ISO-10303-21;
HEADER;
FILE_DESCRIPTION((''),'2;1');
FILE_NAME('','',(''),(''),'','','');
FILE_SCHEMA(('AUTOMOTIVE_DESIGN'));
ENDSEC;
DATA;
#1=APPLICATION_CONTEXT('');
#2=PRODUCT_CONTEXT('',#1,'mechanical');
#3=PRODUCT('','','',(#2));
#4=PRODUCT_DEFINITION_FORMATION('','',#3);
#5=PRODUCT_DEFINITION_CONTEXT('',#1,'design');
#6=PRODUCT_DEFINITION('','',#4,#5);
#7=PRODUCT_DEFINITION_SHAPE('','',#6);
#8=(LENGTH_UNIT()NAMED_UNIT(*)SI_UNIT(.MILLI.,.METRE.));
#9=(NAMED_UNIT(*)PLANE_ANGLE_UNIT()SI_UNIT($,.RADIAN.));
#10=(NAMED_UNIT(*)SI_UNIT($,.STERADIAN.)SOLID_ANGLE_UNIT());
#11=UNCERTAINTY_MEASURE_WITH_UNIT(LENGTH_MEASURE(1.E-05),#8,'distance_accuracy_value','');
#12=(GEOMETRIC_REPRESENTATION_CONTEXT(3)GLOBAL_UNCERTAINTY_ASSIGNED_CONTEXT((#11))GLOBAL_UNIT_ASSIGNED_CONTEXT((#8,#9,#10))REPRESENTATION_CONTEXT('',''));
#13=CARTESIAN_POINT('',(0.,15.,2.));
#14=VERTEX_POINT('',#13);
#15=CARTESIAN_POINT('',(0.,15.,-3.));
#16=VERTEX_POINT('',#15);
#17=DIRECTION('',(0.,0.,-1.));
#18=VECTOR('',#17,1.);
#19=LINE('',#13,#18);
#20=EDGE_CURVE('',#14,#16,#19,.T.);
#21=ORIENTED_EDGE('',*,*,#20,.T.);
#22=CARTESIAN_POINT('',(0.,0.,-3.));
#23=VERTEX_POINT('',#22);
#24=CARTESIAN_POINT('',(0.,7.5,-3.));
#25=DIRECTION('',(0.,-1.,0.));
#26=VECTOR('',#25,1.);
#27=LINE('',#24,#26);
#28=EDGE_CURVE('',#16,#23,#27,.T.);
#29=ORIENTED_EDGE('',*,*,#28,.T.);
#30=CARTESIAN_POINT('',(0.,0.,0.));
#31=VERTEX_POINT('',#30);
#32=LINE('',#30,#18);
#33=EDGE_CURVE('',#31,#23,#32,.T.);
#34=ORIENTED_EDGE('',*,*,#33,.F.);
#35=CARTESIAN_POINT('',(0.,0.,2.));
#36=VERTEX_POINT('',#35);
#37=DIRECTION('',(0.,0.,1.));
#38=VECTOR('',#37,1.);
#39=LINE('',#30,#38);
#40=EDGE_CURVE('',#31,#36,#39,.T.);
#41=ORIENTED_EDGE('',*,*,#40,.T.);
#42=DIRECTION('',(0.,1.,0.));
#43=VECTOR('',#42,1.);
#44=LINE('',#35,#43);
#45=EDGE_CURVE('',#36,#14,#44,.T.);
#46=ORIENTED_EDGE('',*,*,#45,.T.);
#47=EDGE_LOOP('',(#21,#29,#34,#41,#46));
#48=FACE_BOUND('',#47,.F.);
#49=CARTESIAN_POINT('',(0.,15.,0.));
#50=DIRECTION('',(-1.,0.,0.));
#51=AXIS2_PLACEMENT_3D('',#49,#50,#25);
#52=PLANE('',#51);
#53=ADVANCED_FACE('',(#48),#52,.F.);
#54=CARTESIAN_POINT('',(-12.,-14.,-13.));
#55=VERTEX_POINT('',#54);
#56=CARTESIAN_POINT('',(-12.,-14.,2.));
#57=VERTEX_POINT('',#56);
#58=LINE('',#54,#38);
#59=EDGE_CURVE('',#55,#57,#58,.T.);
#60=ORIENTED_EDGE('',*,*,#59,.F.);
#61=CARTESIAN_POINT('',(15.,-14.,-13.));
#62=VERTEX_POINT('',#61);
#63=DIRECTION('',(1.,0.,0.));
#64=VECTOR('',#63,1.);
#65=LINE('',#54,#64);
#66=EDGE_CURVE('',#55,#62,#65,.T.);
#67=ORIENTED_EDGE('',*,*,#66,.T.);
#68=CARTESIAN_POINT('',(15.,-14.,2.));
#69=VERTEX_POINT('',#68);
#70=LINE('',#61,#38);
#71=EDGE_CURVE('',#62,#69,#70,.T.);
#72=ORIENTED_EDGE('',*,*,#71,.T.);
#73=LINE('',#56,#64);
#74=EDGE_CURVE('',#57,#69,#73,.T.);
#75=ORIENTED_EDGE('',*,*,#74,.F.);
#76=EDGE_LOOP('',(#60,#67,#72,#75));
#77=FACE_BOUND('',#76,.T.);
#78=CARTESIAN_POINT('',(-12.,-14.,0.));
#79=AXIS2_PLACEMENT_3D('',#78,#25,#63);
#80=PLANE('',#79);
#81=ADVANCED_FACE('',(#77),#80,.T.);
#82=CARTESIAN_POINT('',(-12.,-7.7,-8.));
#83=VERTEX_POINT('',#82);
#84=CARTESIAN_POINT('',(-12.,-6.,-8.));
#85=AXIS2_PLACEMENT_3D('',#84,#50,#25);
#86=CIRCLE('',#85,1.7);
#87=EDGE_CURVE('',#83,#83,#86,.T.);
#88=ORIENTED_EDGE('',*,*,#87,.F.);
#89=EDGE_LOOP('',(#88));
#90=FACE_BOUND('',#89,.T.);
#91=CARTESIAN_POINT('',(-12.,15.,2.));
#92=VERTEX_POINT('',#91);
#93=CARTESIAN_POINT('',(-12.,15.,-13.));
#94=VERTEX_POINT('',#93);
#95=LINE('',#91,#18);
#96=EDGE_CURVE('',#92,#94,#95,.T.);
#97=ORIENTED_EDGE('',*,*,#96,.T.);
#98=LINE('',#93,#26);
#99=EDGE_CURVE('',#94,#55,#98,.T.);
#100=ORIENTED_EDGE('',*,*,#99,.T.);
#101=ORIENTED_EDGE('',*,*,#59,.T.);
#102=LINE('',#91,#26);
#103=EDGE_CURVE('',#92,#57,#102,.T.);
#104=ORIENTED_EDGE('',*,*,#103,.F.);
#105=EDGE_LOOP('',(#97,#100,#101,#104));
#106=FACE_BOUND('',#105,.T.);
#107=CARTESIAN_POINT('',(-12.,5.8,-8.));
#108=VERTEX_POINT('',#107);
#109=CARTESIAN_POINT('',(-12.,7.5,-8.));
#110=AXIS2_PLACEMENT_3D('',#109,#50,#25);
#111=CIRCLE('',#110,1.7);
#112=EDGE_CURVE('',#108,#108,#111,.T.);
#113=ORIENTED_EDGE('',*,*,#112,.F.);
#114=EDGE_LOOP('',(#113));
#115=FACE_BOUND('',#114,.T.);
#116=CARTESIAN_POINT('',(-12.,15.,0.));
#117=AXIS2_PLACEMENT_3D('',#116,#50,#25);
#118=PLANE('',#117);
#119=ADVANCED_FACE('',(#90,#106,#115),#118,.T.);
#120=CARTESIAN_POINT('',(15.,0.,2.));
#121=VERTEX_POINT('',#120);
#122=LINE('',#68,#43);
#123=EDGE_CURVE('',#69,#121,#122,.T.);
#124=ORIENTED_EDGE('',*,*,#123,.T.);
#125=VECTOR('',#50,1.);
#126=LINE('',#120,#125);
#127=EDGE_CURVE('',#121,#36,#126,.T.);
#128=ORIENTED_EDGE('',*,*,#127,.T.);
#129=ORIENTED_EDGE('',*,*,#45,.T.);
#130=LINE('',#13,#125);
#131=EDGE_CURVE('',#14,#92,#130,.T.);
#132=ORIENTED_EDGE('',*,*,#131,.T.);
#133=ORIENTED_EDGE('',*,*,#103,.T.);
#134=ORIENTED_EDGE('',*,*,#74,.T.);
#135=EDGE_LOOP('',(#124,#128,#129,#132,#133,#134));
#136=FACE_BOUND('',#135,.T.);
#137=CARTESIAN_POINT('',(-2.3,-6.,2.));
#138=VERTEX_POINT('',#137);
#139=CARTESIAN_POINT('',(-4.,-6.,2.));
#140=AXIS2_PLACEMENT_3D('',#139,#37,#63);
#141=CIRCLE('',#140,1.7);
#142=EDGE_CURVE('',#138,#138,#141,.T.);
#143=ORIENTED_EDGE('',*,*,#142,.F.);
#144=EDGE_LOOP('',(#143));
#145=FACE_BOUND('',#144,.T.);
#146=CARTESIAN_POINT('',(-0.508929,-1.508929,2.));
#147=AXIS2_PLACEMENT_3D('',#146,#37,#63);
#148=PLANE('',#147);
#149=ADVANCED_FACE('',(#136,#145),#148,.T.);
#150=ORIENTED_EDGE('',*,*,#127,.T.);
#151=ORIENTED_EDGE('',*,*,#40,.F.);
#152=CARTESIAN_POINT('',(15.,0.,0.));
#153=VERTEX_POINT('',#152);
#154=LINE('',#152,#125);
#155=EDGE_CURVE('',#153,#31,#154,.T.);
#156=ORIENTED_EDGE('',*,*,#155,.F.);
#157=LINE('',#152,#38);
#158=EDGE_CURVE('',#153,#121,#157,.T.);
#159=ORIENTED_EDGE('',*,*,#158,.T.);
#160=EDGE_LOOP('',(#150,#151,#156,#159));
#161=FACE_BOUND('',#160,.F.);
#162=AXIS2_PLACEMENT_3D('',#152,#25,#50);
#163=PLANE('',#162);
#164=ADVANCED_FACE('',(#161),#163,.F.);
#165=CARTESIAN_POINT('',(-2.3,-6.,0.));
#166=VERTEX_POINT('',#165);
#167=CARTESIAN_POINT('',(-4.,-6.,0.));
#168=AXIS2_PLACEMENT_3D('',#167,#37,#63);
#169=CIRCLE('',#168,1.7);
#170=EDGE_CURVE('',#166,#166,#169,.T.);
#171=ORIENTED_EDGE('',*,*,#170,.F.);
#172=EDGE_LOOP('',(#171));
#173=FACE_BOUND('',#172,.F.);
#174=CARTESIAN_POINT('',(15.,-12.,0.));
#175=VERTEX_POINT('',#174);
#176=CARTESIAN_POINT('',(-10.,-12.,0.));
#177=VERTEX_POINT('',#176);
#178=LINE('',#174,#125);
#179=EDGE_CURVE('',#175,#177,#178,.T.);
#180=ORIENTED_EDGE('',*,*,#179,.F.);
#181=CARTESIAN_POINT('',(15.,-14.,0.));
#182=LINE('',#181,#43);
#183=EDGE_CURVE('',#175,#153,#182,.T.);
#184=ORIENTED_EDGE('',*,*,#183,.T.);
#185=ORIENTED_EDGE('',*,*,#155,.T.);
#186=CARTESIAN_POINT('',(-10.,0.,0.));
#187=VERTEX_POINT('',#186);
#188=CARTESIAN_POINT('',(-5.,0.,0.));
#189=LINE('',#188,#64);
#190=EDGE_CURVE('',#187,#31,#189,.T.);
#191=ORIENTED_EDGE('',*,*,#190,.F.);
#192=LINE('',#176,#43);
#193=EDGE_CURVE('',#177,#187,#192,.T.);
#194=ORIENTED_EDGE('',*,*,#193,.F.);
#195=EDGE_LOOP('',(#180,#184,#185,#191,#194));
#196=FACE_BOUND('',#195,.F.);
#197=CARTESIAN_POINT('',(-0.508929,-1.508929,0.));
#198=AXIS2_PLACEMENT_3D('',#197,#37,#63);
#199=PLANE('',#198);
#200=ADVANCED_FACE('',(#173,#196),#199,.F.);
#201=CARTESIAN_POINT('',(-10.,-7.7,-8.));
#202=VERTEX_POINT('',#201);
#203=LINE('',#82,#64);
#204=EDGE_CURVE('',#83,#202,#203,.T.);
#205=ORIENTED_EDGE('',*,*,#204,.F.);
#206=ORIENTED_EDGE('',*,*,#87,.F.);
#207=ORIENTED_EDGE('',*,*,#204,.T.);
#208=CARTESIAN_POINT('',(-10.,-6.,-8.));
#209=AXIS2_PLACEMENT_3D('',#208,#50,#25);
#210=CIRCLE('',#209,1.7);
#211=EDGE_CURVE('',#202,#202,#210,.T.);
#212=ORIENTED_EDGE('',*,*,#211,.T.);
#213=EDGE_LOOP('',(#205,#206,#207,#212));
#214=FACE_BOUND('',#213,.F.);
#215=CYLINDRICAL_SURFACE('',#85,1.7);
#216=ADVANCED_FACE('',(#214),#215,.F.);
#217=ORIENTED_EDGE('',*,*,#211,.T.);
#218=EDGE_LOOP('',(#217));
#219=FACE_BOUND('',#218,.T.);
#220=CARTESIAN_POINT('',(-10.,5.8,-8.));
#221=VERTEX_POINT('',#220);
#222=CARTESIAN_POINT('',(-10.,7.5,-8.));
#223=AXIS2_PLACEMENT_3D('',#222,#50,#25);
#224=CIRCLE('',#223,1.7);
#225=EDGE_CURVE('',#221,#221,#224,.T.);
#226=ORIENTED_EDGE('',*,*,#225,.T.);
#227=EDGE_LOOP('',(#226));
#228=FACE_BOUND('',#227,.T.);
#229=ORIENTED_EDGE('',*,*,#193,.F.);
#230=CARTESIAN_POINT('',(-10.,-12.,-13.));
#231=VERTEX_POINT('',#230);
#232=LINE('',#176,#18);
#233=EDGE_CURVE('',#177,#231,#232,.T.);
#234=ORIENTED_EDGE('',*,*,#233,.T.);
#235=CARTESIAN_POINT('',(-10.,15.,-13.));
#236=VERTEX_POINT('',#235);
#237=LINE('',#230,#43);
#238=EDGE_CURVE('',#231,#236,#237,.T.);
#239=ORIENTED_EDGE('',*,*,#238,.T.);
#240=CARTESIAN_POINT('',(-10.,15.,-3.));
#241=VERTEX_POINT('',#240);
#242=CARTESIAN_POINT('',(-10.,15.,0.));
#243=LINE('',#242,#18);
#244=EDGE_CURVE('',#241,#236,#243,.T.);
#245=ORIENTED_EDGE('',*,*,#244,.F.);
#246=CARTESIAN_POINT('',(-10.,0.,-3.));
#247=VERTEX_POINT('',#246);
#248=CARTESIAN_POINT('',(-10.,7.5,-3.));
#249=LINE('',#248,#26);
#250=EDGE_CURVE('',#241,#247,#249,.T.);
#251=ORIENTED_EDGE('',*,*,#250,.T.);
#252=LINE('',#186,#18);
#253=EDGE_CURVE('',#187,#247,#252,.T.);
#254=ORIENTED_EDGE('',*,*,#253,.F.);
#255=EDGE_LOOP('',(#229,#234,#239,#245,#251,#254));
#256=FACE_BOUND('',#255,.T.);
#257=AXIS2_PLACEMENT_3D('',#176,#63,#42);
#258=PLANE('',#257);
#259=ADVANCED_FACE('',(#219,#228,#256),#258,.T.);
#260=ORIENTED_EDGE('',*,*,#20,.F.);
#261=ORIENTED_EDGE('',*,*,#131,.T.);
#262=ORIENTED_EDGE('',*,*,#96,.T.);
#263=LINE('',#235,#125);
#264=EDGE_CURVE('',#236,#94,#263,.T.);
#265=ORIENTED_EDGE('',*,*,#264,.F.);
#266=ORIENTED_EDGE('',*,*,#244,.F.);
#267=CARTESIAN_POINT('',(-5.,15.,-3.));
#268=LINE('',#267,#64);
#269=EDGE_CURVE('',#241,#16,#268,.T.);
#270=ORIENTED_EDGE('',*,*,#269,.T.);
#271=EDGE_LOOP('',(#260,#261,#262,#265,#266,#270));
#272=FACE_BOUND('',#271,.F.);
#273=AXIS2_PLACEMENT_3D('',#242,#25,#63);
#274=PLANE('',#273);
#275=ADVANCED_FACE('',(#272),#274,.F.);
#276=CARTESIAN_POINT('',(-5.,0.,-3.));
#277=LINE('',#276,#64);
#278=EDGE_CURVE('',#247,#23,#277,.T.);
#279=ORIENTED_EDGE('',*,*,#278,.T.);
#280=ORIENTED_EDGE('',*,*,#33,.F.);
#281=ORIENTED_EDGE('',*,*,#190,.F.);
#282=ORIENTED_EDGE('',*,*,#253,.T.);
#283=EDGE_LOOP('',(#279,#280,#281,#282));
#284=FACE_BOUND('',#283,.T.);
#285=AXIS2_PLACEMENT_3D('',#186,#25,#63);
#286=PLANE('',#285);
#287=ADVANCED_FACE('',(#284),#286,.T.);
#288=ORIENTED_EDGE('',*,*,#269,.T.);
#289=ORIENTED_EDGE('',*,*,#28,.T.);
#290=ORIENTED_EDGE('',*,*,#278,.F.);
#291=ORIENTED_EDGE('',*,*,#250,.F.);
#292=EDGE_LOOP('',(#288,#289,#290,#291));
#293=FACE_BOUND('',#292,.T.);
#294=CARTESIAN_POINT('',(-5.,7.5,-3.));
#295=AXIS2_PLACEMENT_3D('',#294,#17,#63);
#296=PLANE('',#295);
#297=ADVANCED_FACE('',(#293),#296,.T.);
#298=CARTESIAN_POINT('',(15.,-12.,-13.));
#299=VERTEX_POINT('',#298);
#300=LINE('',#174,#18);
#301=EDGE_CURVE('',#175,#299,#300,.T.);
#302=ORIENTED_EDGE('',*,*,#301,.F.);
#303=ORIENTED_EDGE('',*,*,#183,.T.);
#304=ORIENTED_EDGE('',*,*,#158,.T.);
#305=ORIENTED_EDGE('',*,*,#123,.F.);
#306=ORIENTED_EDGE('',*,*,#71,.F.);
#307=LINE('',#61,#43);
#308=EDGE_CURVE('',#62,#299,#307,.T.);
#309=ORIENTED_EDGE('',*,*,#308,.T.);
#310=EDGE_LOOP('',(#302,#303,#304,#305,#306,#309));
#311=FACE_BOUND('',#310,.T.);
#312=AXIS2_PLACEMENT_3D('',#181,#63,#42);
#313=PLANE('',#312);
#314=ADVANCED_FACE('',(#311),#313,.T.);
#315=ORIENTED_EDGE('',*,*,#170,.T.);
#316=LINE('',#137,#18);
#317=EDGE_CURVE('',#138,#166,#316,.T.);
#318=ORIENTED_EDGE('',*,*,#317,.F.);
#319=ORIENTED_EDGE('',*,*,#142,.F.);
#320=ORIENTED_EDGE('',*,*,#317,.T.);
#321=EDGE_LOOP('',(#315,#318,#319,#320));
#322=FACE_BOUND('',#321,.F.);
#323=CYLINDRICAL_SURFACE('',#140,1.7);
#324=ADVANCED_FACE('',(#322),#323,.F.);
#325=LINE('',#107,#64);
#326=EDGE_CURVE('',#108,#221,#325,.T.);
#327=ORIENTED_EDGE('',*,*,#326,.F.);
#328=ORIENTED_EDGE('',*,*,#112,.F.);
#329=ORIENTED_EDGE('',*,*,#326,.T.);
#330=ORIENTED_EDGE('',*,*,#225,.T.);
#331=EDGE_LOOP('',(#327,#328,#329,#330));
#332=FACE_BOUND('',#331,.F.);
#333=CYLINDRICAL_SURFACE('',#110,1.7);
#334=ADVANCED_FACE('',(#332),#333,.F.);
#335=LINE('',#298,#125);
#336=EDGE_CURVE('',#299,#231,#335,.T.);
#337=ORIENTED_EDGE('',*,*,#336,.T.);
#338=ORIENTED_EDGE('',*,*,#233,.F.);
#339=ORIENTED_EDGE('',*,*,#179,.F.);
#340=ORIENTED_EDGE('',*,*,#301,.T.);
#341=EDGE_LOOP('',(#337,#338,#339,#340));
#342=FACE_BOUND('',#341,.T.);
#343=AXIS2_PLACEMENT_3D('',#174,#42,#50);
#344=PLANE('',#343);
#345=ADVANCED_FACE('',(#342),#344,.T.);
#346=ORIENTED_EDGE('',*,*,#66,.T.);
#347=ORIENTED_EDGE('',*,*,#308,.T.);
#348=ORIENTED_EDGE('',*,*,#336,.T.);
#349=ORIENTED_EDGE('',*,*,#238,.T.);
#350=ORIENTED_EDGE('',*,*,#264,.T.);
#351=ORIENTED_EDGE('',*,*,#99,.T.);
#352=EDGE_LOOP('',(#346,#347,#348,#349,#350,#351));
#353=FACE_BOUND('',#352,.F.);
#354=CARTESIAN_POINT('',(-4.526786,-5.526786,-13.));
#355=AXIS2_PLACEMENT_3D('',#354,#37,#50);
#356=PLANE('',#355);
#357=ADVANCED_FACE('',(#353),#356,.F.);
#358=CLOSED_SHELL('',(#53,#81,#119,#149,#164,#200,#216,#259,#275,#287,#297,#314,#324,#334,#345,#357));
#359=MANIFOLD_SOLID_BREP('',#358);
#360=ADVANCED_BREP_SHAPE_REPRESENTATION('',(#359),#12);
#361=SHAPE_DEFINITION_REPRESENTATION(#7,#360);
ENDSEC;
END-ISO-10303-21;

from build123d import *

# Parameters (mm, degrees)
PAD_DEPTH       = 2
PAD001_DEPTH    = 13
SKETCH002_W     = 10
SKETCH002_H     = 15
PAD002_DEPTH    = 3
SKETCH003_R     = 1.7
POCKET_DEPTH    = 27.001
SKETCH004_R     = 1.7
POCKET001_DEPTH = 15.001


with BuildPart() as part:
    # Sketch → Pad (new body)
    with BuildSketch(Plane.XY):
        Polygon((-12, 15), (-12, -14), (15, -14), (15, 0), (0, 0), (0, 15), align=None)
    extrude(amount=PAD_DEPTH)

    # Sketch001 → Pad001 (new body)
    with BuildSketch(Plane(origin=(0, 0, 0), x_dir=(1, 0, 0), z_dir=(0, 0, -1))):
        Polygon((-12, -15), (-12, 14), (15, 14), (15, 12), (-10, 12), (-10, -15), align=None)
    extrude(amount=PAD001_DEPTH)

    # Sketch002 → Pad002 (new body)
    with BuildSketch(Plane(origin=(0, 0, 0), x_dir=(1, 0, 0), z_dir=(0, 0, -1))):
        with Locations((-5, -7.5)):
            Rectangle(SKETCH002_W, SKETCH002_H)
    extrude(amount=PAD002_DEPTH)

    # Sketch003 → Pocket (cut, through all)
    with BuildSketch(Plane(origin=(-12, 0, 0), x_dir=(0, -1, 0), z_dir=(-1, 0, 0))):
        with Locations((-7.5, -8)):
            Circle(SKETCH003_R)
        with Locations((6, -8)):
            Circle(SKETCH003_R)
    extrude(amount=-POCKET_DEPTH, mode=Mode.SUBTRACT)

    # Sketch004 → Pocket001 (cut, through all)
    with BuildSketch(Plane.XY.offset(2)):
        with Locations((-4, -6)):
            Circle(SKETCH004_R)
    extrude(amount=-POCKET001_DEPTH, mode=Mode.SUBTRACT)


solid = part.part
